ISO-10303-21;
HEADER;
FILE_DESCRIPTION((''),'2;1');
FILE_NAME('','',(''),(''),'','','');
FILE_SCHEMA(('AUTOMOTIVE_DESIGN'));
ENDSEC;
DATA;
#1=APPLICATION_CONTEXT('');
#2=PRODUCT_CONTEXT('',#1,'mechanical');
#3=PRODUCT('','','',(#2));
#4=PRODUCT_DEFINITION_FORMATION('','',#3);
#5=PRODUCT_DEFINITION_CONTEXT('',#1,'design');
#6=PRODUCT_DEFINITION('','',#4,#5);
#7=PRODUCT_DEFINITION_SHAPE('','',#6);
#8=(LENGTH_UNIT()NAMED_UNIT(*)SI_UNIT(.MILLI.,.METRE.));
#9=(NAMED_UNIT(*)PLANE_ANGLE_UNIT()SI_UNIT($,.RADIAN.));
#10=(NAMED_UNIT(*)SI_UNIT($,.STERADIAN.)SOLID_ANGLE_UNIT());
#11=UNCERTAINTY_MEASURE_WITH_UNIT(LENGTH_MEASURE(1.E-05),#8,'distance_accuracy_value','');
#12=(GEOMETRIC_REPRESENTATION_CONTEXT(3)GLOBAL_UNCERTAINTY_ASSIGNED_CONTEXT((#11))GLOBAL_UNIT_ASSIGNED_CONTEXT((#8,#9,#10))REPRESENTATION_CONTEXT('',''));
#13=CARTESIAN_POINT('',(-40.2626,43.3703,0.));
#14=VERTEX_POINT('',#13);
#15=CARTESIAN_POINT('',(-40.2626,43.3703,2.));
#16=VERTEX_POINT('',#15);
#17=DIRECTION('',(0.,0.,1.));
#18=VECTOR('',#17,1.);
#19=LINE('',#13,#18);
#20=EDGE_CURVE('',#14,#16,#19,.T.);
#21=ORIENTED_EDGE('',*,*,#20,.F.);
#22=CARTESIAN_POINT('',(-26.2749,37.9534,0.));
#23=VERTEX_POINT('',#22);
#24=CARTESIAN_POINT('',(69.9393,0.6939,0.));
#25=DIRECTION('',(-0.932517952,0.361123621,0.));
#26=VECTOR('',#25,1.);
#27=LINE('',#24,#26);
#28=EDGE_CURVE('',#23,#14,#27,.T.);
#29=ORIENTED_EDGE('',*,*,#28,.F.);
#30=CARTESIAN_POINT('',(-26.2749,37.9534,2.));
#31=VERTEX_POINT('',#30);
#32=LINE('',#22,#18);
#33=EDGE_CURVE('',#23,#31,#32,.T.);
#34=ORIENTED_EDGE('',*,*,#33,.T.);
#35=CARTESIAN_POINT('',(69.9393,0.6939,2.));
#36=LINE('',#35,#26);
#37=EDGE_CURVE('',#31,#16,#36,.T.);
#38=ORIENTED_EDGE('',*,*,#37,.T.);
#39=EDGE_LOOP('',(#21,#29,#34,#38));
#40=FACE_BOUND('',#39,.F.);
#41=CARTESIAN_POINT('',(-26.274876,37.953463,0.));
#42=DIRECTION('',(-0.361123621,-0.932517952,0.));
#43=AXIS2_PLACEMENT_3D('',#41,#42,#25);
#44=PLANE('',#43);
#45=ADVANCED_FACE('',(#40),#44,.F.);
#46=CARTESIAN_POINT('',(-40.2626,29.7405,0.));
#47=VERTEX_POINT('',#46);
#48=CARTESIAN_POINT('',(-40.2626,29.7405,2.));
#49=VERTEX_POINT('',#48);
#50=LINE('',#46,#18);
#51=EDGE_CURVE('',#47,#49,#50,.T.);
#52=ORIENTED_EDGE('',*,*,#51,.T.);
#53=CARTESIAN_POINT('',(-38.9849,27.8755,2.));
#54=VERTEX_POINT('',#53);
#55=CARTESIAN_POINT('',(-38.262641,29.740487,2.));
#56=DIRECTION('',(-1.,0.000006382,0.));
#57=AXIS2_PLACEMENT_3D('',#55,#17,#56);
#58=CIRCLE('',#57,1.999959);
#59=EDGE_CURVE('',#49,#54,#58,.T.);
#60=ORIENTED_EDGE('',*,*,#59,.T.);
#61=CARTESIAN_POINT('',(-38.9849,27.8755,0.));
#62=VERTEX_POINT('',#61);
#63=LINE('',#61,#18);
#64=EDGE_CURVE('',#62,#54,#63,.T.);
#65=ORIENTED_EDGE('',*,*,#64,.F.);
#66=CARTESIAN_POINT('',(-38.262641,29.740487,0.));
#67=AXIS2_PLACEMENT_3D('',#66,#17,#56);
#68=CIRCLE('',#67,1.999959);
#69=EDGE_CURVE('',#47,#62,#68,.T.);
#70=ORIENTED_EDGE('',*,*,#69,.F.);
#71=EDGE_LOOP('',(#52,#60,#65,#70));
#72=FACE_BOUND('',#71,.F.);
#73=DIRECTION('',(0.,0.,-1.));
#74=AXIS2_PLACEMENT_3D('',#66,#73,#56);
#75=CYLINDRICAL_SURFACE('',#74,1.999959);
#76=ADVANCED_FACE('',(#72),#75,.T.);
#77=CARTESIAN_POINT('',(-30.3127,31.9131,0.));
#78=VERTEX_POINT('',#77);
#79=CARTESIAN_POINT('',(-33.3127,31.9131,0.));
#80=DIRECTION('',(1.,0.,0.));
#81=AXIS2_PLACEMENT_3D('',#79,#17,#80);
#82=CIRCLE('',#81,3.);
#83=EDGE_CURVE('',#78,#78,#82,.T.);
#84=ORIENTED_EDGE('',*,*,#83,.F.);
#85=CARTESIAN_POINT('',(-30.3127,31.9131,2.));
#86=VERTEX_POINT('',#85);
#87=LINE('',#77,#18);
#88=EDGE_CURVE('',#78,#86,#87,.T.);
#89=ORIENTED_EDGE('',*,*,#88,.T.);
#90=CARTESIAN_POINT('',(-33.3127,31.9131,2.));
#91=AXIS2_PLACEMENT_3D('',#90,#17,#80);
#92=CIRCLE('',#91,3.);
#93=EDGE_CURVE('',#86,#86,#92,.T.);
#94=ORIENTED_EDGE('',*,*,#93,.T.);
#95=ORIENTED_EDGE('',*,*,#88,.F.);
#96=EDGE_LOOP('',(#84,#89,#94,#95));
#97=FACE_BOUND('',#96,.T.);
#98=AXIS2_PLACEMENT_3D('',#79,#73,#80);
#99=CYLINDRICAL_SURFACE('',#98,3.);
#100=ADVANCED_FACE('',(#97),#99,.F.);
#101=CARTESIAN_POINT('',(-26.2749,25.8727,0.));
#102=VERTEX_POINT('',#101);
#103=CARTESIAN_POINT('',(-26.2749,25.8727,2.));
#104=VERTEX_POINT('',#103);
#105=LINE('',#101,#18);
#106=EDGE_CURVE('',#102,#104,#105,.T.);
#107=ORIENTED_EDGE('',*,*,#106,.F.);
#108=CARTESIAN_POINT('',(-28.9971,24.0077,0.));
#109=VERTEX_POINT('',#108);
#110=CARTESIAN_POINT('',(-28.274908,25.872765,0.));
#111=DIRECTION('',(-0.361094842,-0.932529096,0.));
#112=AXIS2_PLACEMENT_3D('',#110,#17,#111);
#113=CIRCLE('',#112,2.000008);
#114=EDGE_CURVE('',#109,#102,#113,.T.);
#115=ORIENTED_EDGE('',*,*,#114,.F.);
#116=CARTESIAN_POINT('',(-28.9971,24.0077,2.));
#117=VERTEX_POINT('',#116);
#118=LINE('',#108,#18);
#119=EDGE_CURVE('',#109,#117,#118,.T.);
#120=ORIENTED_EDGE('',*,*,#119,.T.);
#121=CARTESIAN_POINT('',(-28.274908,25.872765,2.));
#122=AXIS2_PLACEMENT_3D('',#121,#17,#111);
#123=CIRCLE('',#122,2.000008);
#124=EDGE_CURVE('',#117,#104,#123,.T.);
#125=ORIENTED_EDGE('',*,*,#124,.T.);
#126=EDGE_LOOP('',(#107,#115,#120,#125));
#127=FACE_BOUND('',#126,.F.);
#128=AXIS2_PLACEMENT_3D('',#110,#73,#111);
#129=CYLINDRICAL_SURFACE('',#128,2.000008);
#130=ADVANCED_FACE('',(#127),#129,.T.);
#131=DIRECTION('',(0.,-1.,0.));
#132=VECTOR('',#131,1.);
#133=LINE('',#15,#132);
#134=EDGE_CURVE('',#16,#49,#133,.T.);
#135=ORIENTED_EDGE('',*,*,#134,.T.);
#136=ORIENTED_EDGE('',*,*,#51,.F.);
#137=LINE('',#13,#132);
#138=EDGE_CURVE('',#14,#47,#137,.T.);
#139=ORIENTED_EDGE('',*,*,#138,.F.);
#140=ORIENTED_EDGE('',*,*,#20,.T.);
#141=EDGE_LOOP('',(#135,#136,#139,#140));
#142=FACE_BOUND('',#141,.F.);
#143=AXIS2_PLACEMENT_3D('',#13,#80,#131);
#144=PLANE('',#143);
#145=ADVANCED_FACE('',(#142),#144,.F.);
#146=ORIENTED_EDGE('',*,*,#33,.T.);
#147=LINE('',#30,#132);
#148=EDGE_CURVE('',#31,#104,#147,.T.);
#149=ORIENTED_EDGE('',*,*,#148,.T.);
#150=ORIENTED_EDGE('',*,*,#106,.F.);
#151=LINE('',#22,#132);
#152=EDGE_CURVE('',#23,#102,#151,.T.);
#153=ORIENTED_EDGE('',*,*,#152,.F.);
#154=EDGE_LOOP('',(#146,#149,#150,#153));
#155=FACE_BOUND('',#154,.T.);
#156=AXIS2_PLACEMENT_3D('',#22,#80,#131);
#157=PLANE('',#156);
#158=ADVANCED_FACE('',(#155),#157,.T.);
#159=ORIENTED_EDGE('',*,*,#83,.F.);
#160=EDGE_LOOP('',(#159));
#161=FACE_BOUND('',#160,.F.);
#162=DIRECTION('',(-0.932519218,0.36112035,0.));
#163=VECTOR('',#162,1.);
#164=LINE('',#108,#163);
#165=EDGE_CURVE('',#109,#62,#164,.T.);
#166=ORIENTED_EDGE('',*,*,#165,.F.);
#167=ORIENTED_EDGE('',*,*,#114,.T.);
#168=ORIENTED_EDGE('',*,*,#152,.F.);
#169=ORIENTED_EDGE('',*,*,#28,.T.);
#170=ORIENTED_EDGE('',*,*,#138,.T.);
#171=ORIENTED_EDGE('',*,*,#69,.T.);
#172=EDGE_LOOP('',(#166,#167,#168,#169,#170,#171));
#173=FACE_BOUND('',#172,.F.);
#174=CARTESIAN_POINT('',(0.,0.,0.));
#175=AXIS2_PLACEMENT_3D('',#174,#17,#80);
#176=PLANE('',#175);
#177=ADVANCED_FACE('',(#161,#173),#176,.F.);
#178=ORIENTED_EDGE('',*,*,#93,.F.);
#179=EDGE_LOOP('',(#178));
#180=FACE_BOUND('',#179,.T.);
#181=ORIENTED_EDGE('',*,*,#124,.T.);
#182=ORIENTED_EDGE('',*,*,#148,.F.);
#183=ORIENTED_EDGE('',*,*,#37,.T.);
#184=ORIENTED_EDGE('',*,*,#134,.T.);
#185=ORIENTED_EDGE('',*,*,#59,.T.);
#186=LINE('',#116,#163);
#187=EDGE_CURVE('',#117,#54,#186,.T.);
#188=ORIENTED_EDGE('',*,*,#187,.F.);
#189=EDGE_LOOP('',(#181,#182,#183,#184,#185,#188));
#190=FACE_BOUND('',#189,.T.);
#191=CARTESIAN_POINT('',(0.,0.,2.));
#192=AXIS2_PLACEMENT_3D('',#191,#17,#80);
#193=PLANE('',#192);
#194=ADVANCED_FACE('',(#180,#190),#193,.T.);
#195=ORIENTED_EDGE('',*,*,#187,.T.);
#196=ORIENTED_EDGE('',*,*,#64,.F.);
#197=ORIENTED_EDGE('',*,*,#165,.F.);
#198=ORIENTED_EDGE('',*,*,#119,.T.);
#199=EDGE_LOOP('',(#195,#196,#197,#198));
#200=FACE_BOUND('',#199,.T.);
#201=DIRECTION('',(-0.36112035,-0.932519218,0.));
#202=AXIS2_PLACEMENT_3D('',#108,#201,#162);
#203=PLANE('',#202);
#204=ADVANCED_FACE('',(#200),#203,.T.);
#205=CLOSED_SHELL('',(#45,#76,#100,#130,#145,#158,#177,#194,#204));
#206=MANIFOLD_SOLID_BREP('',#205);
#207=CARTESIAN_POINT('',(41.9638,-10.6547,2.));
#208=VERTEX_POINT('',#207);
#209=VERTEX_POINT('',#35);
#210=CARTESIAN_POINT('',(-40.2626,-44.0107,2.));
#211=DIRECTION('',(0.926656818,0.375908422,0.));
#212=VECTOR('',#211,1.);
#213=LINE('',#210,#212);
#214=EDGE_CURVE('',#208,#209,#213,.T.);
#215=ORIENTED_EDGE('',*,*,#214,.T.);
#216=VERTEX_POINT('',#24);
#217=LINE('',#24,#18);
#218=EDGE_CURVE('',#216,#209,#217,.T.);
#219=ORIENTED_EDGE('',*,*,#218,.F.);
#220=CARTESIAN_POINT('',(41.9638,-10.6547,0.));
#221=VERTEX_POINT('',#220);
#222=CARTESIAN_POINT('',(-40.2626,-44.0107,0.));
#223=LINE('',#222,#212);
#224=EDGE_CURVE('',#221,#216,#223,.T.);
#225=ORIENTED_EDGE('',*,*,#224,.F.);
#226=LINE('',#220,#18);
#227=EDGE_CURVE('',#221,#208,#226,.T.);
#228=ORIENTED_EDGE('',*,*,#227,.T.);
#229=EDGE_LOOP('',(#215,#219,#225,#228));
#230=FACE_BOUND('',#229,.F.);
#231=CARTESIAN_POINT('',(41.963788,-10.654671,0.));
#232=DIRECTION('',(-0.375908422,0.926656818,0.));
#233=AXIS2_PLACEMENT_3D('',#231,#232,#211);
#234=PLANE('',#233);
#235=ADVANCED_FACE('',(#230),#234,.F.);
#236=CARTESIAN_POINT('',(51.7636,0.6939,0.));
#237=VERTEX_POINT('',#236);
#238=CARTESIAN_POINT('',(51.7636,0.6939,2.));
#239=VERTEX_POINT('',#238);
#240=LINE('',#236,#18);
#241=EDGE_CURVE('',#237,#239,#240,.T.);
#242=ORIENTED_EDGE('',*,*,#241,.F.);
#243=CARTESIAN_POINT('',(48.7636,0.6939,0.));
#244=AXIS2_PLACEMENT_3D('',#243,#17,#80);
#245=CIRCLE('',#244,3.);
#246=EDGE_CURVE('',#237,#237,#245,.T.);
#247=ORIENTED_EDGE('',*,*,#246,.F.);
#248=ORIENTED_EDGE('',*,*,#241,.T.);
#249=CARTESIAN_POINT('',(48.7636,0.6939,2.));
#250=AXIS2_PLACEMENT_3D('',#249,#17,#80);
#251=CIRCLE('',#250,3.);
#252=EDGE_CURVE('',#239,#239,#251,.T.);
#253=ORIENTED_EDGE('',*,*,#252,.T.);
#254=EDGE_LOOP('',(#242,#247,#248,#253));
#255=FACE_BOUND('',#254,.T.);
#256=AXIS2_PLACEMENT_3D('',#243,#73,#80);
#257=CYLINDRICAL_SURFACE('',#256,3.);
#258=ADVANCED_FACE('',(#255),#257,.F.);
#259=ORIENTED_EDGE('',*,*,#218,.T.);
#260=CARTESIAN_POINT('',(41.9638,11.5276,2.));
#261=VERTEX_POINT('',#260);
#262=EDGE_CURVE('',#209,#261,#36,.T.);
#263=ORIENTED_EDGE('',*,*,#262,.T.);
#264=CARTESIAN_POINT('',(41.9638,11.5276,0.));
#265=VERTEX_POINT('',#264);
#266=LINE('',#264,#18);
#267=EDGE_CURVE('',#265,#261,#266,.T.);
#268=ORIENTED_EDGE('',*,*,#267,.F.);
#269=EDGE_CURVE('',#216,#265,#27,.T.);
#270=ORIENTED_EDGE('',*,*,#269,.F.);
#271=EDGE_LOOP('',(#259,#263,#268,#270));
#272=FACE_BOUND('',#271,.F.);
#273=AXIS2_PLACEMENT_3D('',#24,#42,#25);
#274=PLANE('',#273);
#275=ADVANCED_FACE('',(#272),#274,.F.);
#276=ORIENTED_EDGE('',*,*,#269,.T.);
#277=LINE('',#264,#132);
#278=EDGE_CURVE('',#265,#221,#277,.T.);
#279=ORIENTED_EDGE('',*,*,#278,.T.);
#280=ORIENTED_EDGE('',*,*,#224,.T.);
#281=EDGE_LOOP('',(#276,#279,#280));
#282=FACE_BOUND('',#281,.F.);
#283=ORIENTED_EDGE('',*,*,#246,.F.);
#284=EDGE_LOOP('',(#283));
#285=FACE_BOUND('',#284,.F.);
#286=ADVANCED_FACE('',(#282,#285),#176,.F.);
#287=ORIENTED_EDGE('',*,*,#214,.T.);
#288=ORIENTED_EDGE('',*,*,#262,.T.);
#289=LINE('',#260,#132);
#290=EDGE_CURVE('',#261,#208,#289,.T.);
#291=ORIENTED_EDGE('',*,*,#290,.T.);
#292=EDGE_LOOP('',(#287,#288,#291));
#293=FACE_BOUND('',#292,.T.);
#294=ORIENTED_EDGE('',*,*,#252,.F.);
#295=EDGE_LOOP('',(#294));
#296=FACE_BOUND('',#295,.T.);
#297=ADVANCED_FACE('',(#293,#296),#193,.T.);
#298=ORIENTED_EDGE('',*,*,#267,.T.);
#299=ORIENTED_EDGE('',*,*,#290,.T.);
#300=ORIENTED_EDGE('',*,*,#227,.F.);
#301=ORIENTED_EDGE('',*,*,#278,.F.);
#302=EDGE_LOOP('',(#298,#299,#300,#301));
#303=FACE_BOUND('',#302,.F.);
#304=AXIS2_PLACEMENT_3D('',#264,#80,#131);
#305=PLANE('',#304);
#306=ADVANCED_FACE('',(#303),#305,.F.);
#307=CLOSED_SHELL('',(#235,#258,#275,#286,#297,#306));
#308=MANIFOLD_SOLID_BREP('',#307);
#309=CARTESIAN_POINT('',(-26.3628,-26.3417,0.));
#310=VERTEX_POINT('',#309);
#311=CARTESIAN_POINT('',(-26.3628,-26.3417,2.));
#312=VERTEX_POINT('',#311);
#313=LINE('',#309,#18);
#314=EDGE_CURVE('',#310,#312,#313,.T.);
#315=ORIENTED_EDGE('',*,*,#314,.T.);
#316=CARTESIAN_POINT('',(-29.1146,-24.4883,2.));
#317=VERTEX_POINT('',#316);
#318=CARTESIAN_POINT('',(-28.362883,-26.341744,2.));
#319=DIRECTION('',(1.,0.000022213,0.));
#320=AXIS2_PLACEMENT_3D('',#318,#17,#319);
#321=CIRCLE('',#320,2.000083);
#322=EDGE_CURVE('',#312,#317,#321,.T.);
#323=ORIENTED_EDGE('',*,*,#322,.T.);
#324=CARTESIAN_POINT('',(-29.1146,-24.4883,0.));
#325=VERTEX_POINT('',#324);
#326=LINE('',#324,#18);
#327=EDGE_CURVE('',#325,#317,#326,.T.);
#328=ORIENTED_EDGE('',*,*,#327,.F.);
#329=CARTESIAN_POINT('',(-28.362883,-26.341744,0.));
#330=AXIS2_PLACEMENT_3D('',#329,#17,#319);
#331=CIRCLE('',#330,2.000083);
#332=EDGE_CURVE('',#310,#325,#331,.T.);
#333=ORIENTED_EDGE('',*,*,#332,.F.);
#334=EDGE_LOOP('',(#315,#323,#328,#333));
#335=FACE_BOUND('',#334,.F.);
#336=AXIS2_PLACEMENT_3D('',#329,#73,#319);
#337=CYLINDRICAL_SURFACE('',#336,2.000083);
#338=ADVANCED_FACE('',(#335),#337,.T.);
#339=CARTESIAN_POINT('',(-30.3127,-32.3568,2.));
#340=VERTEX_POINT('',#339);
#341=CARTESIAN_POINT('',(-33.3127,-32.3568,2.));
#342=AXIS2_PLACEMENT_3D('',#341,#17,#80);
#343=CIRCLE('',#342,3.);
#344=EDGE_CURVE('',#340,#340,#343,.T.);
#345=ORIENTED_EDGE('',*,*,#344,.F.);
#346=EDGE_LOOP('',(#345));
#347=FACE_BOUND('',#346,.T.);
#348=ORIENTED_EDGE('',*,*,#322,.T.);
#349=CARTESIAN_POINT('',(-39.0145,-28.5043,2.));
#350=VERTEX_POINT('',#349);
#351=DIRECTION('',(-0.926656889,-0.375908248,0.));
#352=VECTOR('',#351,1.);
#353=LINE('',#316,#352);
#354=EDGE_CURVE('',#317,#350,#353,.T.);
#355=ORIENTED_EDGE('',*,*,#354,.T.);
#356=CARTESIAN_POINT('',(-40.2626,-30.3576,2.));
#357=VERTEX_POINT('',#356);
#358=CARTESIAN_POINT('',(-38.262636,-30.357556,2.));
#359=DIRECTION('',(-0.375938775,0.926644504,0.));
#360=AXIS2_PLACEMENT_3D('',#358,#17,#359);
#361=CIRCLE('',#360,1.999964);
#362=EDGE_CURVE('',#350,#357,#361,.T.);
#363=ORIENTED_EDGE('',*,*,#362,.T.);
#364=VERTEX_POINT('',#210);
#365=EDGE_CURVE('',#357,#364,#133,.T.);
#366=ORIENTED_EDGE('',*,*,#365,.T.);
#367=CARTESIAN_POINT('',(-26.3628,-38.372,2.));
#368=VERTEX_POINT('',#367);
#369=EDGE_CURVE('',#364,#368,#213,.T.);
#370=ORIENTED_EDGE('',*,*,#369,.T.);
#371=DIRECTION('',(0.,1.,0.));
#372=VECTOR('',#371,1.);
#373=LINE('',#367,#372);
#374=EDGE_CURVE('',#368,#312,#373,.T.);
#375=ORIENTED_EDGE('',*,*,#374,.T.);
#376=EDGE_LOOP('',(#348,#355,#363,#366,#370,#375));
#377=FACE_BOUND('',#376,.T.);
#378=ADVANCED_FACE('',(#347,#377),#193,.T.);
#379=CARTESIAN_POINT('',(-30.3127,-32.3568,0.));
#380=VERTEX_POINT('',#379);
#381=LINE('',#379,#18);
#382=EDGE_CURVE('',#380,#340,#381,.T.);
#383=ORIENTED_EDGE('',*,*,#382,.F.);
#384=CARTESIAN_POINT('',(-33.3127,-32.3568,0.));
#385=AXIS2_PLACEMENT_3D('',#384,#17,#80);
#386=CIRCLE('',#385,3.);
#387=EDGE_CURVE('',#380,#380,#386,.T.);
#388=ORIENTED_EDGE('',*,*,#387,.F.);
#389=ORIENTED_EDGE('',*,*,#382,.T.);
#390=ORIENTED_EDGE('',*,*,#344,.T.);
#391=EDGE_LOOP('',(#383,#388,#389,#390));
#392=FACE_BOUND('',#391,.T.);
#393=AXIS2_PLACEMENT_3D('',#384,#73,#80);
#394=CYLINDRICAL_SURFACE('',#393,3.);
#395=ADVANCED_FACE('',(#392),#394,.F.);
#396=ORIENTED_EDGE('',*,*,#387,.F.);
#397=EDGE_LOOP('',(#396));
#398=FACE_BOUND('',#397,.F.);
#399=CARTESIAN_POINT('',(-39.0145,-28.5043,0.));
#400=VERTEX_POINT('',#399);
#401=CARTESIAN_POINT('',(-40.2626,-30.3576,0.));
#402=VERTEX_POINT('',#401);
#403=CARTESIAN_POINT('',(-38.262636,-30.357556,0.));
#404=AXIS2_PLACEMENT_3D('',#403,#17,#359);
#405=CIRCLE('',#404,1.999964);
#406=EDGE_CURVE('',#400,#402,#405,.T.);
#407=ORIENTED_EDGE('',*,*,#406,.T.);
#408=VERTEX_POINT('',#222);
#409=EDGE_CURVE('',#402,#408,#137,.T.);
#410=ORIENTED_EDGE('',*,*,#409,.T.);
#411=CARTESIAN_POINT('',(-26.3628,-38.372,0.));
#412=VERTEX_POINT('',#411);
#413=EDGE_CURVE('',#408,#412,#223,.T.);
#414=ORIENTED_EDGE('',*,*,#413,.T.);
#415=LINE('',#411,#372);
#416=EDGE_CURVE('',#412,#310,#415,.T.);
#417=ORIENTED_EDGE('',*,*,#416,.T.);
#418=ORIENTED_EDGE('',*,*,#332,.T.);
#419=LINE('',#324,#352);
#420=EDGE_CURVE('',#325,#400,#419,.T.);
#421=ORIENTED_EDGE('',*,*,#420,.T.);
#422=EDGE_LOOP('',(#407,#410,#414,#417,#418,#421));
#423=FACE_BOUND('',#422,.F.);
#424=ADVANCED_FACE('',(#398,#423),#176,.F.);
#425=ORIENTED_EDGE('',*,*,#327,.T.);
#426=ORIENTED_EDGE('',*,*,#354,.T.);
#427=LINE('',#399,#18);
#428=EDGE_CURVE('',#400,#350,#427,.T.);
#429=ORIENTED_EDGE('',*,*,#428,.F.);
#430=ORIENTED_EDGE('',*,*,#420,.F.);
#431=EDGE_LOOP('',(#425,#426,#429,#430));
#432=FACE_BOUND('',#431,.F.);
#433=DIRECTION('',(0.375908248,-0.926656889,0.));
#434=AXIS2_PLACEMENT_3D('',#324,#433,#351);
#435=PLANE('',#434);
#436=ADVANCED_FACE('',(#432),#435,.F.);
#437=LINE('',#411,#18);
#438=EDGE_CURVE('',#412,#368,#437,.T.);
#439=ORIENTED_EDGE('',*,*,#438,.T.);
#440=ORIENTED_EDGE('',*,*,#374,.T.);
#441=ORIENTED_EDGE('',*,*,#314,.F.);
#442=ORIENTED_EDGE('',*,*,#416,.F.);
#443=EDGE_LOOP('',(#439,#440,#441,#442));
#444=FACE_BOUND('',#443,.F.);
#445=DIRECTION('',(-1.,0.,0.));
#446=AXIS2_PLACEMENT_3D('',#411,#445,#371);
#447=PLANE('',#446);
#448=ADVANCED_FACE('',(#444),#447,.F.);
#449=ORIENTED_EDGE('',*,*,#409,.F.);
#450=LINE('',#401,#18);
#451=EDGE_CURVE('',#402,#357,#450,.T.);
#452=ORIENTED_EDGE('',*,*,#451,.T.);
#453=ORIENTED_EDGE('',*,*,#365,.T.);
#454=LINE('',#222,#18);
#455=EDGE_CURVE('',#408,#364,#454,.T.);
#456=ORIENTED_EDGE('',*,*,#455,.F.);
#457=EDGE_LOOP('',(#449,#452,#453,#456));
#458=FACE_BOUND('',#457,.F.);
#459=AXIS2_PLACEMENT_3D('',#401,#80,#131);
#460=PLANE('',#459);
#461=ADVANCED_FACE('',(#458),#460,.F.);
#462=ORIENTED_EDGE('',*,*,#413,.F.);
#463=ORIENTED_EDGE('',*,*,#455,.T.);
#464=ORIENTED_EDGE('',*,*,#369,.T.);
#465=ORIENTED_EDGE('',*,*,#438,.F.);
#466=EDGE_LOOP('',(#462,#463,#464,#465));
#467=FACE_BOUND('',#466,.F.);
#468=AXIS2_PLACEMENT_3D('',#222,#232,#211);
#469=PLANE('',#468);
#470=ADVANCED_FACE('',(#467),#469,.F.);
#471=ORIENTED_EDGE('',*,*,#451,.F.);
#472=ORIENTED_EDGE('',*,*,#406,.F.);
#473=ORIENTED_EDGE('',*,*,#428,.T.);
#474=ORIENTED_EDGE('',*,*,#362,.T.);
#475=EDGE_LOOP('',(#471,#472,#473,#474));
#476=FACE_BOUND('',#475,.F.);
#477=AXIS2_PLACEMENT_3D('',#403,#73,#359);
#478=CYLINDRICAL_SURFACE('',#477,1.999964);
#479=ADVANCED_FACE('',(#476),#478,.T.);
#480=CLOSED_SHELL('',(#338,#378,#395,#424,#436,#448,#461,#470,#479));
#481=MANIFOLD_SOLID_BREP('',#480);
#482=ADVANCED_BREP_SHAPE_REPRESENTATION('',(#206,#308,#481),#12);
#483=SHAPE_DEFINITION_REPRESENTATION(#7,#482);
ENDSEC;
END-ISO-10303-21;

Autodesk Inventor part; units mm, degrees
ref_plane "YZ Plane" through (0, 0, 0) normal (1, 0, 0) x (0, 1, 0)
ref_plane "XZ Plane" through (0, 0, 0) normal (0, 1, 0) x (-1, 0, 0)
ref_plane "XY Plane" through (0, 0, 0) normal (0, 0, 1) x (1, 0, 0)
ref_plane "Plano de trabalho1" through (0, 0, 0) normal (0, 0, 1) x (1, 0, 0)
sketch "Esboço1" plane through (0, 0, 0) normal (0, 0, 1) x (1, 0, 0)
  line L0 (69.9393, 0.6939) -> (-40.2626, 43.3703) projected
  line L1 (-40.2626, -44.0107) -> (69.9393, 0.6939) projected
  line L2 (-40.2626, 43.3703) -> (-40.2626, -44.0107) projected
  line L3 (-40.2626, 43.3703) -> (-26.2749, 37.9534)
  line L4 (-26.2749, 37.9534) -> (-26.2749, 25.8727)
  line L5 (-28.9971, 24.0077) -> (-38.9849, 27.8755)
  line L6 (-40.2626, 43.3703) -> (-40.2626, 29.7405)
  line L7 (-40.2626, -44.0107) -> (-26.3628, -38.372)
  line L8 (-26.3628, -38.372) -> (-26.3628, -26.3417)
  line L9 (-29.1146, -24.4883) -> (-39.0145, -28.5043)
  line L10 (-40.2626, -30.3576) -> (-40.2626, -44.0107)
  line L11 (69.9393, 0.6939) -> (41.9638, 11.5276)
  line L12 (41.9638, 11.5276) -> (41.9638, -10.6547)
  line L13 (69.9393, 0.6939) -> (41.9638, -10.6547)
  arc A0 (-28.9971, 24.0077) -> (-26.2749, 25.8727) centre (-28.2749, 25.8727) ccw
  arc A1 (-40.2626, 29.7405) -> (-38.9849, 27.8755) centre (-38.2626, 29.7405) ccw
  arc A2 (-26.3628, -26.3417) -> (-29.1146, -24.4883) centre (-28.3628, -26.3417) ccw
  arc A3 (-39.0145, -28.5043) -> (-40.2626, -30.3576) centre (-38.2626, -30.3576) ccw
  circle A4 centre (-33.3127, 31.9131) radius 3
  circle A5 centre (-33.3127, -32.3568) radius 3
  circle A6 centre (48.7636, 0.6939) radius 3
  point P0 (0, 0)
  point P1 (-26.2749, 22.9534)
  point P2 (-40.2626, 28.3703)
  point P3 (-26.3628, -23.372)
  point P4 (-40.2626, -29.0107)
  dimension "d0" = 15
  dimension "d1" = 15
  dimension "d2" = 15
  dimension "d3" = 15
  dimension "d4" = 15
  dimension "d5" = 30
  dimension "d6" = 2
  dimension "d7" = 6
  dimension "d8" = 6
  dimension "d9" = 6
extrude "Extrusão1" add sketch "Esboço1" along normal blind 2 contours L1 L12 L0 | L4 A0 L5 A1 L2 L0 | L1 L2 A3 L9 A2 L8
sketch "Esboço2" plane through (0, 0, 2) normal (0, 0, 1) x (1, 0, 0)
  circle A0 centre (-33.3127, -32.3568) radius 3 projected
properties part number "Orelhinhas"
